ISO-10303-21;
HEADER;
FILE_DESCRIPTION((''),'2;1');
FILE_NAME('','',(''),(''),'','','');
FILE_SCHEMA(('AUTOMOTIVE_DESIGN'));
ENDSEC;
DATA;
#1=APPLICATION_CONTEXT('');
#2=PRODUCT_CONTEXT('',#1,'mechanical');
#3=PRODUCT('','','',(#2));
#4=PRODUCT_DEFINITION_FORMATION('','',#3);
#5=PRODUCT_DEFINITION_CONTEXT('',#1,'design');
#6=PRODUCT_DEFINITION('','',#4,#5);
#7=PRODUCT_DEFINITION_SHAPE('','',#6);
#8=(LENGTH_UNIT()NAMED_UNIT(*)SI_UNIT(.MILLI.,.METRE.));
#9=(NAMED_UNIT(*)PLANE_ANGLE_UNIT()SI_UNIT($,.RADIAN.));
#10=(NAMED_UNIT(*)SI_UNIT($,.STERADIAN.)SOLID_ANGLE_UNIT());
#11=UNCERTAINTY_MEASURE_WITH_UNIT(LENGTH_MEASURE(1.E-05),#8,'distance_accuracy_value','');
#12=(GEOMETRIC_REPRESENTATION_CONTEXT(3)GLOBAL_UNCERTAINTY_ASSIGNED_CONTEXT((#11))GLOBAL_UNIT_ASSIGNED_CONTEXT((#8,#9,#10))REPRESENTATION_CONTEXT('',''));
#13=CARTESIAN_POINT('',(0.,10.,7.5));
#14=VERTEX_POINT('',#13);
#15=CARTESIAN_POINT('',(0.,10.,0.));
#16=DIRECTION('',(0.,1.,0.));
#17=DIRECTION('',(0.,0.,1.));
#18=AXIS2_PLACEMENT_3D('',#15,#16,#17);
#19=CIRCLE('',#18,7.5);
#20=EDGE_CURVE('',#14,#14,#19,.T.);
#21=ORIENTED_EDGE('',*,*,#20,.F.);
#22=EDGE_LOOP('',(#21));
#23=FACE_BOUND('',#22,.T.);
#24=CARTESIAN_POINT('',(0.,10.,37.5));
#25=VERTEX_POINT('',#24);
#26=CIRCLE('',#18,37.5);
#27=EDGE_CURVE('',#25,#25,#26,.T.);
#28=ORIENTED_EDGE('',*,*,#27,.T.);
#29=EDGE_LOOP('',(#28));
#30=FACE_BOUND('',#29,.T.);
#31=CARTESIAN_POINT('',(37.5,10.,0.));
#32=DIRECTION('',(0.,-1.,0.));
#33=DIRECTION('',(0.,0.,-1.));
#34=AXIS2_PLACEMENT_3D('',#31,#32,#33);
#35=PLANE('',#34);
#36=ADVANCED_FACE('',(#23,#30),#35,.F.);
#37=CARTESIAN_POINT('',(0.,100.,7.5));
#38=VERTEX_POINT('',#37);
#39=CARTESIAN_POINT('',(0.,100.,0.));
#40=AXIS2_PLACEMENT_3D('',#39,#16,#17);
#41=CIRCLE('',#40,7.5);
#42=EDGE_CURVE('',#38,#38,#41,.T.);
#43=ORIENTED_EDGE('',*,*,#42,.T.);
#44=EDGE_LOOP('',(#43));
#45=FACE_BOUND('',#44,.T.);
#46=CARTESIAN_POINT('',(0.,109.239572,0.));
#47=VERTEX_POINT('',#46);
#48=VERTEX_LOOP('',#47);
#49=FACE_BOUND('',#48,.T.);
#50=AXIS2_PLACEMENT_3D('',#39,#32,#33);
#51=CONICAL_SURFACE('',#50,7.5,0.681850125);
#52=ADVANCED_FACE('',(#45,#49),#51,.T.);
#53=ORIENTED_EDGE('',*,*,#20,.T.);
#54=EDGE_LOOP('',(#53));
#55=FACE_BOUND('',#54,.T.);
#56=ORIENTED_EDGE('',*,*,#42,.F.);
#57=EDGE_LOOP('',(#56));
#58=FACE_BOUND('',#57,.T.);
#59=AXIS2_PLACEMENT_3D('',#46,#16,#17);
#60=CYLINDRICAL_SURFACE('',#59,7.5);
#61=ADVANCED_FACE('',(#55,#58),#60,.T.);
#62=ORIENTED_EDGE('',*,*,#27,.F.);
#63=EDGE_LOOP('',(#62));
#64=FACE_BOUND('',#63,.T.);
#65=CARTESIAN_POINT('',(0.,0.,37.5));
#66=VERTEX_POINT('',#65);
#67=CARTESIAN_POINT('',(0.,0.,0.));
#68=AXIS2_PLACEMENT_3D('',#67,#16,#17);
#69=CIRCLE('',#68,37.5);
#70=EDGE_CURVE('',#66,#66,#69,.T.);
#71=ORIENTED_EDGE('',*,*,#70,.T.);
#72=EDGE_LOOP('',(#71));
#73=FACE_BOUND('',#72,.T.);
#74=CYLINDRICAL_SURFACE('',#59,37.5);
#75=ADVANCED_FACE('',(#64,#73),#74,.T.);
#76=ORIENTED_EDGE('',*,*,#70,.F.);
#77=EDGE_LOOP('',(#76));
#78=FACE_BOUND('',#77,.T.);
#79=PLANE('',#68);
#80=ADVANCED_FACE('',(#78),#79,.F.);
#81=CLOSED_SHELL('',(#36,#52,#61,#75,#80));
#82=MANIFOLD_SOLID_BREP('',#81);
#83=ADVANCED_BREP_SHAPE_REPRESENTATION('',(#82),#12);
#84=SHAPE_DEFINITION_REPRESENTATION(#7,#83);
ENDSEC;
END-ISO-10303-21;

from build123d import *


with BuildPart() as part:
    # Sketch1 → Revolve1 (revolve)
    with BuildSketch(Plane.XY, mode=Mode.PRIVATE) as revolve1_sk:
        Polygon((0, 0), (37.5, 0), (37.5, 10), (7.5, 10), (7.5, 100), (0, 109.239571586), align=None)
    revolve(revolve1_sk.sketch.rotate(Axis((0, 109.239571586, 0), (0, -1, 0)), 90), axis=Axis((0, 109.239571586, 0), (0, -1, 0)))


solid = part.part
